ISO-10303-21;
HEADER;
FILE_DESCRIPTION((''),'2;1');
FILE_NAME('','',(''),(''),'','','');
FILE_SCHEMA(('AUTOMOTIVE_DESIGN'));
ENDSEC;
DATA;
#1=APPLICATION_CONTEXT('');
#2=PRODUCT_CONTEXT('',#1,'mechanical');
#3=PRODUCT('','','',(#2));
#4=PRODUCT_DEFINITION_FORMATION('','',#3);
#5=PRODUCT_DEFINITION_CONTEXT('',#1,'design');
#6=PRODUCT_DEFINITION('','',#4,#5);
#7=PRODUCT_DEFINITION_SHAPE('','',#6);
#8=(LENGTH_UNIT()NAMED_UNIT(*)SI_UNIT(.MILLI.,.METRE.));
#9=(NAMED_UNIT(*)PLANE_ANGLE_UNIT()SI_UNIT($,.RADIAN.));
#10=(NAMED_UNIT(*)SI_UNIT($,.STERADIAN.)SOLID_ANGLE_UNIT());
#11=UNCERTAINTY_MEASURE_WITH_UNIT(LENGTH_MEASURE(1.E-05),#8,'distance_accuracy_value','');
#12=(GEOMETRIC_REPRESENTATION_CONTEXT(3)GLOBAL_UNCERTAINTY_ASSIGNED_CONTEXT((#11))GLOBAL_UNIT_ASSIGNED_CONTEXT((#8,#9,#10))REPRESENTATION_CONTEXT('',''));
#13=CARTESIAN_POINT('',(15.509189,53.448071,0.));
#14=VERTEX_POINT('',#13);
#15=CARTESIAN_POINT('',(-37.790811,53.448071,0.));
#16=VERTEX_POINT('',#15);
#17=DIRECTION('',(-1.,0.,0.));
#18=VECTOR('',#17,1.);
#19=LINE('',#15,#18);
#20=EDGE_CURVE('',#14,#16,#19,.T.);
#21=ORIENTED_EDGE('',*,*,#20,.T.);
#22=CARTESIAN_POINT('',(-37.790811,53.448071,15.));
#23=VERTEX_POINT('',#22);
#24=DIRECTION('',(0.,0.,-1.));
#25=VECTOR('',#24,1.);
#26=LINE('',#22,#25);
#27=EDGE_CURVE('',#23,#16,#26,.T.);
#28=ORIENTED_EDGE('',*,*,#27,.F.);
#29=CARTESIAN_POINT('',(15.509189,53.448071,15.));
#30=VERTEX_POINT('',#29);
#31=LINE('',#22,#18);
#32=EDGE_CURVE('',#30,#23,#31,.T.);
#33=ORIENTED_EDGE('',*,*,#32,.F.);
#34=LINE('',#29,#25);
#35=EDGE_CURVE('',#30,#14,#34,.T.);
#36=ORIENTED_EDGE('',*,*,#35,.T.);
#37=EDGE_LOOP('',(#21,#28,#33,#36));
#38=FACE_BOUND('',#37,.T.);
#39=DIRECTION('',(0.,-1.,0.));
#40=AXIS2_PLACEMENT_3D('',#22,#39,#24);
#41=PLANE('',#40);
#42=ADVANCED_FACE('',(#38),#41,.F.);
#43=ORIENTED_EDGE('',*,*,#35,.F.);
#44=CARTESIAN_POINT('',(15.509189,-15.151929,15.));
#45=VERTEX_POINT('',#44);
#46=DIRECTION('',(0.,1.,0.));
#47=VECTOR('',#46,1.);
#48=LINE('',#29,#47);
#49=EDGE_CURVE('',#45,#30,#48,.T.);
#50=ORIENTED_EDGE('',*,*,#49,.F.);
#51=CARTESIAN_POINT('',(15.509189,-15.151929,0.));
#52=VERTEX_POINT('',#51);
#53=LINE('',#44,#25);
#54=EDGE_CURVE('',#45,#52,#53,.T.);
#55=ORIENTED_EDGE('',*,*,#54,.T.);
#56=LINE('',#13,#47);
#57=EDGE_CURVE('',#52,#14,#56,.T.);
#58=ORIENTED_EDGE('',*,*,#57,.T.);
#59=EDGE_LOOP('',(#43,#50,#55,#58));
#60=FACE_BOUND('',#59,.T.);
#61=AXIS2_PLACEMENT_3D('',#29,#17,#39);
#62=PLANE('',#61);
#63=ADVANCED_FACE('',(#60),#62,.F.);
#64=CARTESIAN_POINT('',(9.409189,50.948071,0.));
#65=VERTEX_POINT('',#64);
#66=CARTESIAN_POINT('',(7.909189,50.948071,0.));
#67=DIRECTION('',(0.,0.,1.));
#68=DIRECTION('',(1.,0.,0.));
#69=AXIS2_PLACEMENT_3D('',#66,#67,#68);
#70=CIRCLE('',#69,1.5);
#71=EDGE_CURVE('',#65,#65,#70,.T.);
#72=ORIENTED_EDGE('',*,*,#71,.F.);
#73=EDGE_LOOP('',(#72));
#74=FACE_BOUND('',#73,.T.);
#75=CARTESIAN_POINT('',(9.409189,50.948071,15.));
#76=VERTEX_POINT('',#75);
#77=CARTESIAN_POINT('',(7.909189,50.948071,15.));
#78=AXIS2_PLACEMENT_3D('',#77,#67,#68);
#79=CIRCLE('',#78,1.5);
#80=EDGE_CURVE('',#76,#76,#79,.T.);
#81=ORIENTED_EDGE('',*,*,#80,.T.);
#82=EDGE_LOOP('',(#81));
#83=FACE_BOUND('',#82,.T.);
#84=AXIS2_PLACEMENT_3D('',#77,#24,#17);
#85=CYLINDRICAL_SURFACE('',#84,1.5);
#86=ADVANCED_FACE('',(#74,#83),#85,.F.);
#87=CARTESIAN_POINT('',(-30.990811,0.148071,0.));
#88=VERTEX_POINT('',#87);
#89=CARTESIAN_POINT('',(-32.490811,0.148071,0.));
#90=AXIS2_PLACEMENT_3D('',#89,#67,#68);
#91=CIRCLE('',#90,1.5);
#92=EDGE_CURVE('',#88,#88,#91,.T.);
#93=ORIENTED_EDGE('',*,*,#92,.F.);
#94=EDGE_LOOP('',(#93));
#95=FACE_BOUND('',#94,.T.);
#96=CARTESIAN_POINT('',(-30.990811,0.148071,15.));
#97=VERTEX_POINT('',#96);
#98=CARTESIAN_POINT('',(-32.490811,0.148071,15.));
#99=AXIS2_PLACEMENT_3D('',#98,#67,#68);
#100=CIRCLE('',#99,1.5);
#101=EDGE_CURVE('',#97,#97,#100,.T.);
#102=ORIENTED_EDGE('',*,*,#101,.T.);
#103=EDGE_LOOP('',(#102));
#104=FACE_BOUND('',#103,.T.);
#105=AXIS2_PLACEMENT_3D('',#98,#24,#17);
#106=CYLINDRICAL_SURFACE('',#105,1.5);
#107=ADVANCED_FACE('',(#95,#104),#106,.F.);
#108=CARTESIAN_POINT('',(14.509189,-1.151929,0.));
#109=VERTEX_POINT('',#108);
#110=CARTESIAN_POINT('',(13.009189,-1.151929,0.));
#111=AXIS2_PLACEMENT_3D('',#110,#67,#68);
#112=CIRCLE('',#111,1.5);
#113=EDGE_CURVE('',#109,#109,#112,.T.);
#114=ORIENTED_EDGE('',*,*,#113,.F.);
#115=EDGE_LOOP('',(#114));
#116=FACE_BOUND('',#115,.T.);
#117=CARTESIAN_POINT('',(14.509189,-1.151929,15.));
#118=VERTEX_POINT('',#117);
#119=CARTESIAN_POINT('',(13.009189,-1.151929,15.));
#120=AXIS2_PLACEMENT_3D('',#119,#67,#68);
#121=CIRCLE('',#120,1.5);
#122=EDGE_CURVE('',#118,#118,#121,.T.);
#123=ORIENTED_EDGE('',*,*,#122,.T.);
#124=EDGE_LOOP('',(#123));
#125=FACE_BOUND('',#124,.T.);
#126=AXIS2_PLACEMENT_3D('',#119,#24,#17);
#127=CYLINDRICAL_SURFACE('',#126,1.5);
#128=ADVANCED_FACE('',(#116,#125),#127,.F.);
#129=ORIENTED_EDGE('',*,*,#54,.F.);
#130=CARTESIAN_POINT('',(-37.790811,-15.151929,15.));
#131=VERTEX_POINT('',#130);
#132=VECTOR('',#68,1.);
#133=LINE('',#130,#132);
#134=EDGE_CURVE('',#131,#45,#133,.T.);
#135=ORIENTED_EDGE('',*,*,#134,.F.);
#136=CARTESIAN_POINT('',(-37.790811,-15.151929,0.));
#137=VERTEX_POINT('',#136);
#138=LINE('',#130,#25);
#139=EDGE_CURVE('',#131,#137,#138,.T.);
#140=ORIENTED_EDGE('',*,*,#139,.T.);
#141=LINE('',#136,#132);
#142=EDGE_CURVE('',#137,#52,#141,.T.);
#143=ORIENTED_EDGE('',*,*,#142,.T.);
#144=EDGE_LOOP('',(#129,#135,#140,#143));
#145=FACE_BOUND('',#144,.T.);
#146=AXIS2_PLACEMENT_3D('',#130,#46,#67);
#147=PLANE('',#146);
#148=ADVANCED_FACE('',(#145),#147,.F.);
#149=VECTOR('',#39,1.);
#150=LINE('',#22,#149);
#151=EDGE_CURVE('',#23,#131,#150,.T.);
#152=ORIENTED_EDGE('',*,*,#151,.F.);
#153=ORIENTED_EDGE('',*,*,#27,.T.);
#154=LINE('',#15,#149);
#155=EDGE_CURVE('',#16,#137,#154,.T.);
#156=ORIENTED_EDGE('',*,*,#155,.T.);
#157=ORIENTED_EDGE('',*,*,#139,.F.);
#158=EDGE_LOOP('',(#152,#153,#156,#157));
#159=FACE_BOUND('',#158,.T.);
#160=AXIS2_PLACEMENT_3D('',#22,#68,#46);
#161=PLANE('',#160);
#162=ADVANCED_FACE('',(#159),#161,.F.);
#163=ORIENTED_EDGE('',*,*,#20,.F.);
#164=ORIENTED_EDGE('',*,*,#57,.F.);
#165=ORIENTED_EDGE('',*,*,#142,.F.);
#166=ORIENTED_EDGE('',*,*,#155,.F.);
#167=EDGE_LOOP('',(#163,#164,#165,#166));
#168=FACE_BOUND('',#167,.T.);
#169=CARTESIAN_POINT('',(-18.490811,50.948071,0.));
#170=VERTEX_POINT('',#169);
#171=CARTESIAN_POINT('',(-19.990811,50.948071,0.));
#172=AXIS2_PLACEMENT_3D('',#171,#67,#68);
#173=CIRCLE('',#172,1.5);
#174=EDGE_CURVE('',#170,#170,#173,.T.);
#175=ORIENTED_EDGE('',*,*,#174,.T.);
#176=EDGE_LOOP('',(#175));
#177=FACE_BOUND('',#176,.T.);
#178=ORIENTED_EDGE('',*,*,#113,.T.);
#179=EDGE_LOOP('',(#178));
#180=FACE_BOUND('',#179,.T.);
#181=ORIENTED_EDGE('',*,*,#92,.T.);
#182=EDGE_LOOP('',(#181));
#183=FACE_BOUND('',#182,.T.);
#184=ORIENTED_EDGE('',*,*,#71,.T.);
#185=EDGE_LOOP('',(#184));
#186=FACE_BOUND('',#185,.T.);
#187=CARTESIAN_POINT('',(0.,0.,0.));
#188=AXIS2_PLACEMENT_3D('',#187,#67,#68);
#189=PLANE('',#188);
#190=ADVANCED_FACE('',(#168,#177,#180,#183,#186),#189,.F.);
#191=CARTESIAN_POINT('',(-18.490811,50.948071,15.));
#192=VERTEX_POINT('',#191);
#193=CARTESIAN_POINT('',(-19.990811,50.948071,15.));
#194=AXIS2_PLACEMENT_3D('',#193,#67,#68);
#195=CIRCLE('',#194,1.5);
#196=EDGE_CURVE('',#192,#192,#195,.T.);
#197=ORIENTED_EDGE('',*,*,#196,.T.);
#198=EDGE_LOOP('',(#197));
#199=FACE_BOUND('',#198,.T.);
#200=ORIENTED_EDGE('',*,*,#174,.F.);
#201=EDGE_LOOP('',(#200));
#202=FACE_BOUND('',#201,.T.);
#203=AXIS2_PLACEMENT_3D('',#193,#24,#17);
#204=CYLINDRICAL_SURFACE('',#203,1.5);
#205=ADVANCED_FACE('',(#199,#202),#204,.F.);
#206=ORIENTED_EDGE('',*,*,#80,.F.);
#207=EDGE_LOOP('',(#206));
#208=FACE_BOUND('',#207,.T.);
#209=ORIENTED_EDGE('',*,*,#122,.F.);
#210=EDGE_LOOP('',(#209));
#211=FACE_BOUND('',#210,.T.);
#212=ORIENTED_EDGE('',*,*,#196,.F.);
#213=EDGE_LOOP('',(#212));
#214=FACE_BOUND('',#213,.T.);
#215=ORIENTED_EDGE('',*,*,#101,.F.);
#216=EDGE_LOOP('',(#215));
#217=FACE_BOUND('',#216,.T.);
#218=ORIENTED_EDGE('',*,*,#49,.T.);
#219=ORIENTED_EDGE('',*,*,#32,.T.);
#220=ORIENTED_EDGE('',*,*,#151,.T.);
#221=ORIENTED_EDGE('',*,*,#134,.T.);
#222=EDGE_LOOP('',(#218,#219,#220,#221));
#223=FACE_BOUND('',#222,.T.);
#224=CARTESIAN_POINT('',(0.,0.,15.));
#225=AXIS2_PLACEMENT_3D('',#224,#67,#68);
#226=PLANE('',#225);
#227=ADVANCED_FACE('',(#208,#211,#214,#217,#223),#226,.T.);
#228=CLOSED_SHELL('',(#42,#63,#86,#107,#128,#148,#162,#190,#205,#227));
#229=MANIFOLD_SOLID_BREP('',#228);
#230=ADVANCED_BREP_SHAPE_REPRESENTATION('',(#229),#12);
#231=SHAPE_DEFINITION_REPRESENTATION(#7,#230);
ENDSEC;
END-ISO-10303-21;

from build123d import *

# Parameters (mm, degrees)
SKETCH_1_W      = 53.3
SKETCH_1_H      = 68.6
SKETCH_1_R      = 1.5
EXTRUDE_1_DEPTH = 15


with BuildPart() as part:
    # 草图1 → 凸台-拉伸1 (new body)
    with BuildSketch(Plane.XY):
        with Locations((-11.140811044, 19.148070952)):
            Rectangle(SKETCH_1_W, SKETCH_1_H)
        with Locations((-19.990811044, 50.948070952)):
            Circle(SKETCH_1_R, mode=Mode.SUBTRACT)
        with Locations((7.909188956, 50.948070952)):
            Circle(SKETCH_1_R, mode=Mode.SUBTRACT)
        with Locations((-32.490811044, 0.148070952)):
            Circle(SKETCH_1_R, mode=Mode.SUBTRACT)
        with Locations((13.009188956, -1.151929048)):
            Circle(SKETCH_1_R, mode=Mode.SUBTRACT)
    extrude(amount=EXTRUDE_1_DEPTH)


solid = part.part
